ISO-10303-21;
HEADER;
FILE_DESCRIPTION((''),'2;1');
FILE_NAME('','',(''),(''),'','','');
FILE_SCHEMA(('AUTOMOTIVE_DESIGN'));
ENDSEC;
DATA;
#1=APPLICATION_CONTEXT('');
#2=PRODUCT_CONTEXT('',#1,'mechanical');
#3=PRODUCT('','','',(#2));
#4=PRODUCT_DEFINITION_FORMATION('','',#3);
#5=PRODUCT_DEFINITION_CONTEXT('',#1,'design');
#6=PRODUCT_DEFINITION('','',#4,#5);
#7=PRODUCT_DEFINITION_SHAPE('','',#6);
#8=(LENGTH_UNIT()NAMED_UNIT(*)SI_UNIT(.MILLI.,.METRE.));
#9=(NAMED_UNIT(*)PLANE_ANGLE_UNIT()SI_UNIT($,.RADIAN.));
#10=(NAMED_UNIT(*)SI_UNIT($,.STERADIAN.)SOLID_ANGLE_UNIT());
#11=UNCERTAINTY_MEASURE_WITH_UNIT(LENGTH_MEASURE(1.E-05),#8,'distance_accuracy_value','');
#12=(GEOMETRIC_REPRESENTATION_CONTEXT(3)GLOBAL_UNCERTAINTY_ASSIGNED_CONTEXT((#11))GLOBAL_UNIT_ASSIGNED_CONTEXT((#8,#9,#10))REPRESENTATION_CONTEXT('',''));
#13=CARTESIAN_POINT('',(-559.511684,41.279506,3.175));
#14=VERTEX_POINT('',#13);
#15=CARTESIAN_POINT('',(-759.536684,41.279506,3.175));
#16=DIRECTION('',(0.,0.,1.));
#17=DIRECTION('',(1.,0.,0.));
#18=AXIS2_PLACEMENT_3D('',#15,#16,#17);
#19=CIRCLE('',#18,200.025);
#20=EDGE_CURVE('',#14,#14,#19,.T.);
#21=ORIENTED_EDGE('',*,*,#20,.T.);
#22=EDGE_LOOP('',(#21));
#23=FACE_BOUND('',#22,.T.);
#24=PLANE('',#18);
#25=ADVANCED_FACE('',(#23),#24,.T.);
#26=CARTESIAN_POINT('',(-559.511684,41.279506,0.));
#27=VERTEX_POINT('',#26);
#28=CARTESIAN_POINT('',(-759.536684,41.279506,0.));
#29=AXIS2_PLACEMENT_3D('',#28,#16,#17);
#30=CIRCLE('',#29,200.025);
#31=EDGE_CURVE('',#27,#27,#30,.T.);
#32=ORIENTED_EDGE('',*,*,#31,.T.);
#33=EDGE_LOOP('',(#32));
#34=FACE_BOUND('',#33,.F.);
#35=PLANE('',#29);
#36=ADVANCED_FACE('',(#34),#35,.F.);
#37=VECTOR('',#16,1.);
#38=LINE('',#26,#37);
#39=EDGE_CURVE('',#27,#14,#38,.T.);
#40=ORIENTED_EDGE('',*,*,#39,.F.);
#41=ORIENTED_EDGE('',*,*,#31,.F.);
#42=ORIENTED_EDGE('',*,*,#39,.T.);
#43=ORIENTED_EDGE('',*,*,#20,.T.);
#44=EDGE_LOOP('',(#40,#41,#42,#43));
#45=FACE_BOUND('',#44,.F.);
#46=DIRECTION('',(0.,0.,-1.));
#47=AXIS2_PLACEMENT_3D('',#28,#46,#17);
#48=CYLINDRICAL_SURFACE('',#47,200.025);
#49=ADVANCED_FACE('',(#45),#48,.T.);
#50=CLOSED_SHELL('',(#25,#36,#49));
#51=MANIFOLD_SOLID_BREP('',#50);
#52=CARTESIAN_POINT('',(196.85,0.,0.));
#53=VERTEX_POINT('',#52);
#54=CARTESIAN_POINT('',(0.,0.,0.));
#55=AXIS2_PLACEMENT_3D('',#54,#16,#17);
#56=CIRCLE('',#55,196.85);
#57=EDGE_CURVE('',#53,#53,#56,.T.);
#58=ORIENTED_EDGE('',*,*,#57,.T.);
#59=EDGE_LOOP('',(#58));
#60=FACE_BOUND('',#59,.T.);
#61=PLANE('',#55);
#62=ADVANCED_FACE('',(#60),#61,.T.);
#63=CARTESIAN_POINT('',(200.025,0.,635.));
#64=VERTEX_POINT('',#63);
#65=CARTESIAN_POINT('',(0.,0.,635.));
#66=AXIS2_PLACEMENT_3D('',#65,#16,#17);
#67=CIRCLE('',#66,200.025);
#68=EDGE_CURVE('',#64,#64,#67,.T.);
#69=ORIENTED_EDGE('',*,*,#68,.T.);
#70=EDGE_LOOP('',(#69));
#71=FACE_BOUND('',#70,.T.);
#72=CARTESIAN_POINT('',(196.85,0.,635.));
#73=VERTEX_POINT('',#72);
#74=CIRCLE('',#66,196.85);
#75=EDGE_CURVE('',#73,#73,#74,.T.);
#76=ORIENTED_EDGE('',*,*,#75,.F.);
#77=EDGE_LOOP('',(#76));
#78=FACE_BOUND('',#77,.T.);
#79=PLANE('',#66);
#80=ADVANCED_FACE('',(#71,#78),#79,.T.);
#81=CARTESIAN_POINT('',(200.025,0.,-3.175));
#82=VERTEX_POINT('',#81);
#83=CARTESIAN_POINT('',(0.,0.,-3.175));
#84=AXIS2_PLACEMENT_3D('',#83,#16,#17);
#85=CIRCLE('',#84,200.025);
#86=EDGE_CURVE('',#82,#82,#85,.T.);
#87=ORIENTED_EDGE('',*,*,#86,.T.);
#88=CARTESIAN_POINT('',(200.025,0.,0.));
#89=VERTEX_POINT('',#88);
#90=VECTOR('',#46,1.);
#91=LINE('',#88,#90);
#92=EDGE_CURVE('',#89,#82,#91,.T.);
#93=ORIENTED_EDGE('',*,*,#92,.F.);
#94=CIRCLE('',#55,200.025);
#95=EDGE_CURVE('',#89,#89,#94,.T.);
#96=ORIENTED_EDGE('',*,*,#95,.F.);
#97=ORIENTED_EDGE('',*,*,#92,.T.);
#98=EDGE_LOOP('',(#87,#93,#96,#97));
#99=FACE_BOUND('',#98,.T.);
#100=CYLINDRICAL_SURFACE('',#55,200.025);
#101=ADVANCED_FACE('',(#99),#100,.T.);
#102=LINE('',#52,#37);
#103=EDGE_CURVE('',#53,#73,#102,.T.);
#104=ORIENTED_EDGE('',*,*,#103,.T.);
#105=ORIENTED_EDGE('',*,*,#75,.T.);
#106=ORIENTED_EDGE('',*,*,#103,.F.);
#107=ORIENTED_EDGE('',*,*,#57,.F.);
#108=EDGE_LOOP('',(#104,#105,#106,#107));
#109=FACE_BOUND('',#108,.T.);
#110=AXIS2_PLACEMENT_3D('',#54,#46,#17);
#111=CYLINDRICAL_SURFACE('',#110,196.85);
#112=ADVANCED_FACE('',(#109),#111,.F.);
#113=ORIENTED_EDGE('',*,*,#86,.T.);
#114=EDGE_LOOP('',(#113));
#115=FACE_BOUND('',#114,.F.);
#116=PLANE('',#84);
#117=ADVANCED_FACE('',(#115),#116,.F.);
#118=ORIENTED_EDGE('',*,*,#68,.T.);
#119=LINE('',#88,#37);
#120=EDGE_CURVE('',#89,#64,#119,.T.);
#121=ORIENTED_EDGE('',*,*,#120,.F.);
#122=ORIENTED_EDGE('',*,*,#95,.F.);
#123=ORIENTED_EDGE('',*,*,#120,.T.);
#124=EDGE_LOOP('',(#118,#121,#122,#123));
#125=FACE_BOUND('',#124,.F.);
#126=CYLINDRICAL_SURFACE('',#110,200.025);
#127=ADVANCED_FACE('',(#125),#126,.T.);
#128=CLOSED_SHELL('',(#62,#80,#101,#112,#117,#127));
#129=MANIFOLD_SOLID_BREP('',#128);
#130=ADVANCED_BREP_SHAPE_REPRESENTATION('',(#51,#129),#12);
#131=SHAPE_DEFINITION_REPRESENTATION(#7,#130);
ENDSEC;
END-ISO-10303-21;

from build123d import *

# Parameters (mm, degrees)
F0_R     = 200.025
F1_DEPTH = 3.175
F2_R     = 200.025
F2_R_2   = 196.85
F3_DEPTH = 635
F4_R     = 200.025
F5_DEPTH = 3.175


with BuildPart() as f1:
    # F0 (on Top) → F1 (new body)
    with BuildSketch(Plane.XY):
        Circle(F0_R)
    extrude(amount=-F1_DEPTH)

    # F2 (on face) → F3 (join)
    with BuildSketch(Plane.XY):
        Circle(F2_R)
        Circle(F2_R_2, mode=Mode.SUBTRACT)
    extrude(amount=F3_DEPTH)


with BuildPart() as f5:
    # F4 (on Top) → F5 (new body)
    with BuildSketch(Plane.XY):
        with Locations((-759.536684, 41.279506)):
            Circle(F4_R)
    extrude(amount=F5_DEPTH)


solid = Compound([f1.part, f5.part])
